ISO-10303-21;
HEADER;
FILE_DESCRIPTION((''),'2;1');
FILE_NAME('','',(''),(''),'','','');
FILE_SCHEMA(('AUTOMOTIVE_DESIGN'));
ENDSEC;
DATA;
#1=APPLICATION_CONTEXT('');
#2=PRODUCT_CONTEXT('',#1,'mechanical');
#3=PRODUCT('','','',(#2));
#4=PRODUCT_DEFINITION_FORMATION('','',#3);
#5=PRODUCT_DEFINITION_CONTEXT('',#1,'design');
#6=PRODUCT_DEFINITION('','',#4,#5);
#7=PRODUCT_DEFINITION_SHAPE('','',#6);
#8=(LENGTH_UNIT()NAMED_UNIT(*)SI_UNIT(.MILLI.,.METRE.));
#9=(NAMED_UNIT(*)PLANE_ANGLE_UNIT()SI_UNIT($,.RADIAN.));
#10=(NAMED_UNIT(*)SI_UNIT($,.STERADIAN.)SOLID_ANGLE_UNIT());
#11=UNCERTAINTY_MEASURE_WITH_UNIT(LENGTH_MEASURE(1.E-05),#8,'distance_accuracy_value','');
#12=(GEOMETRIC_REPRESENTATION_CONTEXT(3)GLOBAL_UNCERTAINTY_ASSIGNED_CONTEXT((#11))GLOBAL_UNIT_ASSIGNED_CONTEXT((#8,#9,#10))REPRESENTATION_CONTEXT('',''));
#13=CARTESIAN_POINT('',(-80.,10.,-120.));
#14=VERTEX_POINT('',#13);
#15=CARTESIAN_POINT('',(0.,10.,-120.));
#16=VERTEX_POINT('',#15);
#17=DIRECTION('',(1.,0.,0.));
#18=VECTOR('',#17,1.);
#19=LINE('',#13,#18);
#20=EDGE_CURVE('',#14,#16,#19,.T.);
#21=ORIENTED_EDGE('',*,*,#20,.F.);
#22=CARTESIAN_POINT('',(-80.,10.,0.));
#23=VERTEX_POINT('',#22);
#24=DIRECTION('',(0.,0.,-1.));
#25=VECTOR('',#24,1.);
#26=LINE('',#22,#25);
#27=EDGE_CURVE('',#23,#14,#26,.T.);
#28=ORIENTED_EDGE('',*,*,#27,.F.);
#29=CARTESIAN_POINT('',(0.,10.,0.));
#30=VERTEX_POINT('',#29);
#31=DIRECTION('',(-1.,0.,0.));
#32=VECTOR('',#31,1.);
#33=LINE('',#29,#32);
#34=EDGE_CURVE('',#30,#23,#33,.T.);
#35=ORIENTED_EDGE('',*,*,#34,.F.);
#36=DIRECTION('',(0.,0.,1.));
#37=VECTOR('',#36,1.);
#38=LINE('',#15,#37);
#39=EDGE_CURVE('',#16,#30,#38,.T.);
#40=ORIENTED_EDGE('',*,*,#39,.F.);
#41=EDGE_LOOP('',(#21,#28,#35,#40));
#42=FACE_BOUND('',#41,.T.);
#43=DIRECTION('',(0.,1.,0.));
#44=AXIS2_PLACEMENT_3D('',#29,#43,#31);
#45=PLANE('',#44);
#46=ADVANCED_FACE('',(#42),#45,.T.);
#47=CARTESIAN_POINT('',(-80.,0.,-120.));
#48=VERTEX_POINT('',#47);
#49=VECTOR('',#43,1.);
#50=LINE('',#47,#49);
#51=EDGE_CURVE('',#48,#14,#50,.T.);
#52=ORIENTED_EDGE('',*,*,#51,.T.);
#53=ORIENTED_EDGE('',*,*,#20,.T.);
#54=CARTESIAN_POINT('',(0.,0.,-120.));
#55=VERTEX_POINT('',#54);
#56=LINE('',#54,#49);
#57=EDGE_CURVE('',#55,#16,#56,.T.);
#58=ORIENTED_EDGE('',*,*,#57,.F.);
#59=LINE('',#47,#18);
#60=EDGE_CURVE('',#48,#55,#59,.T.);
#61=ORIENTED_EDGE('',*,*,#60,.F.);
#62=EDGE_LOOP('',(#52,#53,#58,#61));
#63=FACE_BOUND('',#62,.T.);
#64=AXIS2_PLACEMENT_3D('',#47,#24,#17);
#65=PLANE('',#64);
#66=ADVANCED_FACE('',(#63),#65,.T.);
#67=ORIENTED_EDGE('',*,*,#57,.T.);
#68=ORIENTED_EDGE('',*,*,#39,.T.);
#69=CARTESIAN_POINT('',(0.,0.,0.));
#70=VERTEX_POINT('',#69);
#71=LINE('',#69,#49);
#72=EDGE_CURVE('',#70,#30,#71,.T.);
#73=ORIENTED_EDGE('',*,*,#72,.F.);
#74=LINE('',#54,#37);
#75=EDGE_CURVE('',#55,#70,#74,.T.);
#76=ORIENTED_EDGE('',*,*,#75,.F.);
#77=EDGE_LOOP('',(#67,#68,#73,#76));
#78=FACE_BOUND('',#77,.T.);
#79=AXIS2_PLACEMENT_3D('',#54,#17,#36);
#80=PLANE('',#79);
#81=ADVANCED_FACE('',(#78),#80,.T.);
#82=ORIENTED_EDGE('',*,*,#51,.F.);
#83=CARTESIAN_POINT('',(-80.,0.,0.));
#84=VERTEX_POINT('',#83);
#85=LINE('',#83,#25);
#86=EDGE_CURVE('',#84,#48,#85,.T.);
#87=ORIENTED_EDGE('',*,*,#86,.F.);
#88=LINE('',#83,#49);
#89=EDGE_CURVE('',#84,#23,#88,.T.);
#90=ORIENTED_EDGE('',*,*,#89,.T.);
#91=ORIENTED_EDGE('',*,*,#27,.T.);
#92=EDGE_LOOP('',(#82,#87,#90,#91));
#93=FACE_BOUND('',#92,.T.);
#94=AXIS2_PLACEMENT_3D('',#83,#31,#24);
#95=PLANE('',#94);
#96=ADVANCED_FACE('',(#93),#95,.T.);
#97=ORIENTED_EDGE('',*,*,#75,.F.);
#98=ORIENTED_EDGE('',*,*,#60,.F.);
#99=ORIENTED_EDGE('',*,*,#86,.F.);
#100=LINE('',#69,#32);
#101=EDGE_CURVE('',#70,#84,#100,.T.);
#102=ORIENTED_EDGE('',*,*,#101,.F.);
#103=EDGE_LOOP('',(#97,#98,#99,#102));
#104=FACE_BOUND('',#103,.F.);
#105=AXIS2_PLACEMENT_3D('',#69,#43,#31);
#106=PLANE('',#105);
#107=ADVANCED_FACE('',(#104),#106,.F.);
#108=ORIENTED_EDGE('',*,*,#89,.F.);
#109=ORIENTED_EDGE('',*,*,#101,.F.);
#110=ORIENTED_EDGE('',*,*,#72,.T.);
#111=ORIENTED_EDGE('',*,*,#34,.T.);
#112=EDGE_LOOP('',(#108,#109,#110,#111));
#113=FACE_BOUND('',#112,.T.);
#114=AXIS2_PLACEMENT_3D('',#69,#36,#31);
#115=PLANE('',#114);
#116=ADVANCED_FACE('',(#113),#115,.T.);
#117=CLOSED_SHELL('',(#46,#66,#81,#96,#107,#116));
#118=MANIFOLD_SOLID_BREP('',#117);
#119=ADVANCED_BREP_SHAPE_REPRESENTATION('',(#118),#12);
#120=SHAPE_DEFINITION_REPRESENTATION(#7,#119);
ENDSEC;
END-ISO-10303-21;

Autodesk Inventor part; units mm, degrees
ref_plane "YZ Plane" through (0, 0, 0) normal (1, 0, 0) x (0, 1, 0)
ref_plane "XZ Plane" through (0, 0, 0) normal (0, 1, 0) x (-1, 0, 0)
ref_plane "XY Plane" through (0, 0, 0) normal (0, 0, 1) x (1, 0, 0)
sketch "Sketch1" plane through (0, 0, 0) normal (0, 1, 0) x (-1, 0, 0)
  line L0 (0, 0) -> (80, 0)
  line L1 (80, 0) -> (80, -120)
  line L2 (80, -120) -> (0, -120)
  line L3 (0, -120) -> (0, 0)
  dimension "d0" = 80
  dimension "d1" = 120
extrude "Extrusion1" add sketch "Sketch1" along normal blind 10
properties part number "MotorFixerDown"
